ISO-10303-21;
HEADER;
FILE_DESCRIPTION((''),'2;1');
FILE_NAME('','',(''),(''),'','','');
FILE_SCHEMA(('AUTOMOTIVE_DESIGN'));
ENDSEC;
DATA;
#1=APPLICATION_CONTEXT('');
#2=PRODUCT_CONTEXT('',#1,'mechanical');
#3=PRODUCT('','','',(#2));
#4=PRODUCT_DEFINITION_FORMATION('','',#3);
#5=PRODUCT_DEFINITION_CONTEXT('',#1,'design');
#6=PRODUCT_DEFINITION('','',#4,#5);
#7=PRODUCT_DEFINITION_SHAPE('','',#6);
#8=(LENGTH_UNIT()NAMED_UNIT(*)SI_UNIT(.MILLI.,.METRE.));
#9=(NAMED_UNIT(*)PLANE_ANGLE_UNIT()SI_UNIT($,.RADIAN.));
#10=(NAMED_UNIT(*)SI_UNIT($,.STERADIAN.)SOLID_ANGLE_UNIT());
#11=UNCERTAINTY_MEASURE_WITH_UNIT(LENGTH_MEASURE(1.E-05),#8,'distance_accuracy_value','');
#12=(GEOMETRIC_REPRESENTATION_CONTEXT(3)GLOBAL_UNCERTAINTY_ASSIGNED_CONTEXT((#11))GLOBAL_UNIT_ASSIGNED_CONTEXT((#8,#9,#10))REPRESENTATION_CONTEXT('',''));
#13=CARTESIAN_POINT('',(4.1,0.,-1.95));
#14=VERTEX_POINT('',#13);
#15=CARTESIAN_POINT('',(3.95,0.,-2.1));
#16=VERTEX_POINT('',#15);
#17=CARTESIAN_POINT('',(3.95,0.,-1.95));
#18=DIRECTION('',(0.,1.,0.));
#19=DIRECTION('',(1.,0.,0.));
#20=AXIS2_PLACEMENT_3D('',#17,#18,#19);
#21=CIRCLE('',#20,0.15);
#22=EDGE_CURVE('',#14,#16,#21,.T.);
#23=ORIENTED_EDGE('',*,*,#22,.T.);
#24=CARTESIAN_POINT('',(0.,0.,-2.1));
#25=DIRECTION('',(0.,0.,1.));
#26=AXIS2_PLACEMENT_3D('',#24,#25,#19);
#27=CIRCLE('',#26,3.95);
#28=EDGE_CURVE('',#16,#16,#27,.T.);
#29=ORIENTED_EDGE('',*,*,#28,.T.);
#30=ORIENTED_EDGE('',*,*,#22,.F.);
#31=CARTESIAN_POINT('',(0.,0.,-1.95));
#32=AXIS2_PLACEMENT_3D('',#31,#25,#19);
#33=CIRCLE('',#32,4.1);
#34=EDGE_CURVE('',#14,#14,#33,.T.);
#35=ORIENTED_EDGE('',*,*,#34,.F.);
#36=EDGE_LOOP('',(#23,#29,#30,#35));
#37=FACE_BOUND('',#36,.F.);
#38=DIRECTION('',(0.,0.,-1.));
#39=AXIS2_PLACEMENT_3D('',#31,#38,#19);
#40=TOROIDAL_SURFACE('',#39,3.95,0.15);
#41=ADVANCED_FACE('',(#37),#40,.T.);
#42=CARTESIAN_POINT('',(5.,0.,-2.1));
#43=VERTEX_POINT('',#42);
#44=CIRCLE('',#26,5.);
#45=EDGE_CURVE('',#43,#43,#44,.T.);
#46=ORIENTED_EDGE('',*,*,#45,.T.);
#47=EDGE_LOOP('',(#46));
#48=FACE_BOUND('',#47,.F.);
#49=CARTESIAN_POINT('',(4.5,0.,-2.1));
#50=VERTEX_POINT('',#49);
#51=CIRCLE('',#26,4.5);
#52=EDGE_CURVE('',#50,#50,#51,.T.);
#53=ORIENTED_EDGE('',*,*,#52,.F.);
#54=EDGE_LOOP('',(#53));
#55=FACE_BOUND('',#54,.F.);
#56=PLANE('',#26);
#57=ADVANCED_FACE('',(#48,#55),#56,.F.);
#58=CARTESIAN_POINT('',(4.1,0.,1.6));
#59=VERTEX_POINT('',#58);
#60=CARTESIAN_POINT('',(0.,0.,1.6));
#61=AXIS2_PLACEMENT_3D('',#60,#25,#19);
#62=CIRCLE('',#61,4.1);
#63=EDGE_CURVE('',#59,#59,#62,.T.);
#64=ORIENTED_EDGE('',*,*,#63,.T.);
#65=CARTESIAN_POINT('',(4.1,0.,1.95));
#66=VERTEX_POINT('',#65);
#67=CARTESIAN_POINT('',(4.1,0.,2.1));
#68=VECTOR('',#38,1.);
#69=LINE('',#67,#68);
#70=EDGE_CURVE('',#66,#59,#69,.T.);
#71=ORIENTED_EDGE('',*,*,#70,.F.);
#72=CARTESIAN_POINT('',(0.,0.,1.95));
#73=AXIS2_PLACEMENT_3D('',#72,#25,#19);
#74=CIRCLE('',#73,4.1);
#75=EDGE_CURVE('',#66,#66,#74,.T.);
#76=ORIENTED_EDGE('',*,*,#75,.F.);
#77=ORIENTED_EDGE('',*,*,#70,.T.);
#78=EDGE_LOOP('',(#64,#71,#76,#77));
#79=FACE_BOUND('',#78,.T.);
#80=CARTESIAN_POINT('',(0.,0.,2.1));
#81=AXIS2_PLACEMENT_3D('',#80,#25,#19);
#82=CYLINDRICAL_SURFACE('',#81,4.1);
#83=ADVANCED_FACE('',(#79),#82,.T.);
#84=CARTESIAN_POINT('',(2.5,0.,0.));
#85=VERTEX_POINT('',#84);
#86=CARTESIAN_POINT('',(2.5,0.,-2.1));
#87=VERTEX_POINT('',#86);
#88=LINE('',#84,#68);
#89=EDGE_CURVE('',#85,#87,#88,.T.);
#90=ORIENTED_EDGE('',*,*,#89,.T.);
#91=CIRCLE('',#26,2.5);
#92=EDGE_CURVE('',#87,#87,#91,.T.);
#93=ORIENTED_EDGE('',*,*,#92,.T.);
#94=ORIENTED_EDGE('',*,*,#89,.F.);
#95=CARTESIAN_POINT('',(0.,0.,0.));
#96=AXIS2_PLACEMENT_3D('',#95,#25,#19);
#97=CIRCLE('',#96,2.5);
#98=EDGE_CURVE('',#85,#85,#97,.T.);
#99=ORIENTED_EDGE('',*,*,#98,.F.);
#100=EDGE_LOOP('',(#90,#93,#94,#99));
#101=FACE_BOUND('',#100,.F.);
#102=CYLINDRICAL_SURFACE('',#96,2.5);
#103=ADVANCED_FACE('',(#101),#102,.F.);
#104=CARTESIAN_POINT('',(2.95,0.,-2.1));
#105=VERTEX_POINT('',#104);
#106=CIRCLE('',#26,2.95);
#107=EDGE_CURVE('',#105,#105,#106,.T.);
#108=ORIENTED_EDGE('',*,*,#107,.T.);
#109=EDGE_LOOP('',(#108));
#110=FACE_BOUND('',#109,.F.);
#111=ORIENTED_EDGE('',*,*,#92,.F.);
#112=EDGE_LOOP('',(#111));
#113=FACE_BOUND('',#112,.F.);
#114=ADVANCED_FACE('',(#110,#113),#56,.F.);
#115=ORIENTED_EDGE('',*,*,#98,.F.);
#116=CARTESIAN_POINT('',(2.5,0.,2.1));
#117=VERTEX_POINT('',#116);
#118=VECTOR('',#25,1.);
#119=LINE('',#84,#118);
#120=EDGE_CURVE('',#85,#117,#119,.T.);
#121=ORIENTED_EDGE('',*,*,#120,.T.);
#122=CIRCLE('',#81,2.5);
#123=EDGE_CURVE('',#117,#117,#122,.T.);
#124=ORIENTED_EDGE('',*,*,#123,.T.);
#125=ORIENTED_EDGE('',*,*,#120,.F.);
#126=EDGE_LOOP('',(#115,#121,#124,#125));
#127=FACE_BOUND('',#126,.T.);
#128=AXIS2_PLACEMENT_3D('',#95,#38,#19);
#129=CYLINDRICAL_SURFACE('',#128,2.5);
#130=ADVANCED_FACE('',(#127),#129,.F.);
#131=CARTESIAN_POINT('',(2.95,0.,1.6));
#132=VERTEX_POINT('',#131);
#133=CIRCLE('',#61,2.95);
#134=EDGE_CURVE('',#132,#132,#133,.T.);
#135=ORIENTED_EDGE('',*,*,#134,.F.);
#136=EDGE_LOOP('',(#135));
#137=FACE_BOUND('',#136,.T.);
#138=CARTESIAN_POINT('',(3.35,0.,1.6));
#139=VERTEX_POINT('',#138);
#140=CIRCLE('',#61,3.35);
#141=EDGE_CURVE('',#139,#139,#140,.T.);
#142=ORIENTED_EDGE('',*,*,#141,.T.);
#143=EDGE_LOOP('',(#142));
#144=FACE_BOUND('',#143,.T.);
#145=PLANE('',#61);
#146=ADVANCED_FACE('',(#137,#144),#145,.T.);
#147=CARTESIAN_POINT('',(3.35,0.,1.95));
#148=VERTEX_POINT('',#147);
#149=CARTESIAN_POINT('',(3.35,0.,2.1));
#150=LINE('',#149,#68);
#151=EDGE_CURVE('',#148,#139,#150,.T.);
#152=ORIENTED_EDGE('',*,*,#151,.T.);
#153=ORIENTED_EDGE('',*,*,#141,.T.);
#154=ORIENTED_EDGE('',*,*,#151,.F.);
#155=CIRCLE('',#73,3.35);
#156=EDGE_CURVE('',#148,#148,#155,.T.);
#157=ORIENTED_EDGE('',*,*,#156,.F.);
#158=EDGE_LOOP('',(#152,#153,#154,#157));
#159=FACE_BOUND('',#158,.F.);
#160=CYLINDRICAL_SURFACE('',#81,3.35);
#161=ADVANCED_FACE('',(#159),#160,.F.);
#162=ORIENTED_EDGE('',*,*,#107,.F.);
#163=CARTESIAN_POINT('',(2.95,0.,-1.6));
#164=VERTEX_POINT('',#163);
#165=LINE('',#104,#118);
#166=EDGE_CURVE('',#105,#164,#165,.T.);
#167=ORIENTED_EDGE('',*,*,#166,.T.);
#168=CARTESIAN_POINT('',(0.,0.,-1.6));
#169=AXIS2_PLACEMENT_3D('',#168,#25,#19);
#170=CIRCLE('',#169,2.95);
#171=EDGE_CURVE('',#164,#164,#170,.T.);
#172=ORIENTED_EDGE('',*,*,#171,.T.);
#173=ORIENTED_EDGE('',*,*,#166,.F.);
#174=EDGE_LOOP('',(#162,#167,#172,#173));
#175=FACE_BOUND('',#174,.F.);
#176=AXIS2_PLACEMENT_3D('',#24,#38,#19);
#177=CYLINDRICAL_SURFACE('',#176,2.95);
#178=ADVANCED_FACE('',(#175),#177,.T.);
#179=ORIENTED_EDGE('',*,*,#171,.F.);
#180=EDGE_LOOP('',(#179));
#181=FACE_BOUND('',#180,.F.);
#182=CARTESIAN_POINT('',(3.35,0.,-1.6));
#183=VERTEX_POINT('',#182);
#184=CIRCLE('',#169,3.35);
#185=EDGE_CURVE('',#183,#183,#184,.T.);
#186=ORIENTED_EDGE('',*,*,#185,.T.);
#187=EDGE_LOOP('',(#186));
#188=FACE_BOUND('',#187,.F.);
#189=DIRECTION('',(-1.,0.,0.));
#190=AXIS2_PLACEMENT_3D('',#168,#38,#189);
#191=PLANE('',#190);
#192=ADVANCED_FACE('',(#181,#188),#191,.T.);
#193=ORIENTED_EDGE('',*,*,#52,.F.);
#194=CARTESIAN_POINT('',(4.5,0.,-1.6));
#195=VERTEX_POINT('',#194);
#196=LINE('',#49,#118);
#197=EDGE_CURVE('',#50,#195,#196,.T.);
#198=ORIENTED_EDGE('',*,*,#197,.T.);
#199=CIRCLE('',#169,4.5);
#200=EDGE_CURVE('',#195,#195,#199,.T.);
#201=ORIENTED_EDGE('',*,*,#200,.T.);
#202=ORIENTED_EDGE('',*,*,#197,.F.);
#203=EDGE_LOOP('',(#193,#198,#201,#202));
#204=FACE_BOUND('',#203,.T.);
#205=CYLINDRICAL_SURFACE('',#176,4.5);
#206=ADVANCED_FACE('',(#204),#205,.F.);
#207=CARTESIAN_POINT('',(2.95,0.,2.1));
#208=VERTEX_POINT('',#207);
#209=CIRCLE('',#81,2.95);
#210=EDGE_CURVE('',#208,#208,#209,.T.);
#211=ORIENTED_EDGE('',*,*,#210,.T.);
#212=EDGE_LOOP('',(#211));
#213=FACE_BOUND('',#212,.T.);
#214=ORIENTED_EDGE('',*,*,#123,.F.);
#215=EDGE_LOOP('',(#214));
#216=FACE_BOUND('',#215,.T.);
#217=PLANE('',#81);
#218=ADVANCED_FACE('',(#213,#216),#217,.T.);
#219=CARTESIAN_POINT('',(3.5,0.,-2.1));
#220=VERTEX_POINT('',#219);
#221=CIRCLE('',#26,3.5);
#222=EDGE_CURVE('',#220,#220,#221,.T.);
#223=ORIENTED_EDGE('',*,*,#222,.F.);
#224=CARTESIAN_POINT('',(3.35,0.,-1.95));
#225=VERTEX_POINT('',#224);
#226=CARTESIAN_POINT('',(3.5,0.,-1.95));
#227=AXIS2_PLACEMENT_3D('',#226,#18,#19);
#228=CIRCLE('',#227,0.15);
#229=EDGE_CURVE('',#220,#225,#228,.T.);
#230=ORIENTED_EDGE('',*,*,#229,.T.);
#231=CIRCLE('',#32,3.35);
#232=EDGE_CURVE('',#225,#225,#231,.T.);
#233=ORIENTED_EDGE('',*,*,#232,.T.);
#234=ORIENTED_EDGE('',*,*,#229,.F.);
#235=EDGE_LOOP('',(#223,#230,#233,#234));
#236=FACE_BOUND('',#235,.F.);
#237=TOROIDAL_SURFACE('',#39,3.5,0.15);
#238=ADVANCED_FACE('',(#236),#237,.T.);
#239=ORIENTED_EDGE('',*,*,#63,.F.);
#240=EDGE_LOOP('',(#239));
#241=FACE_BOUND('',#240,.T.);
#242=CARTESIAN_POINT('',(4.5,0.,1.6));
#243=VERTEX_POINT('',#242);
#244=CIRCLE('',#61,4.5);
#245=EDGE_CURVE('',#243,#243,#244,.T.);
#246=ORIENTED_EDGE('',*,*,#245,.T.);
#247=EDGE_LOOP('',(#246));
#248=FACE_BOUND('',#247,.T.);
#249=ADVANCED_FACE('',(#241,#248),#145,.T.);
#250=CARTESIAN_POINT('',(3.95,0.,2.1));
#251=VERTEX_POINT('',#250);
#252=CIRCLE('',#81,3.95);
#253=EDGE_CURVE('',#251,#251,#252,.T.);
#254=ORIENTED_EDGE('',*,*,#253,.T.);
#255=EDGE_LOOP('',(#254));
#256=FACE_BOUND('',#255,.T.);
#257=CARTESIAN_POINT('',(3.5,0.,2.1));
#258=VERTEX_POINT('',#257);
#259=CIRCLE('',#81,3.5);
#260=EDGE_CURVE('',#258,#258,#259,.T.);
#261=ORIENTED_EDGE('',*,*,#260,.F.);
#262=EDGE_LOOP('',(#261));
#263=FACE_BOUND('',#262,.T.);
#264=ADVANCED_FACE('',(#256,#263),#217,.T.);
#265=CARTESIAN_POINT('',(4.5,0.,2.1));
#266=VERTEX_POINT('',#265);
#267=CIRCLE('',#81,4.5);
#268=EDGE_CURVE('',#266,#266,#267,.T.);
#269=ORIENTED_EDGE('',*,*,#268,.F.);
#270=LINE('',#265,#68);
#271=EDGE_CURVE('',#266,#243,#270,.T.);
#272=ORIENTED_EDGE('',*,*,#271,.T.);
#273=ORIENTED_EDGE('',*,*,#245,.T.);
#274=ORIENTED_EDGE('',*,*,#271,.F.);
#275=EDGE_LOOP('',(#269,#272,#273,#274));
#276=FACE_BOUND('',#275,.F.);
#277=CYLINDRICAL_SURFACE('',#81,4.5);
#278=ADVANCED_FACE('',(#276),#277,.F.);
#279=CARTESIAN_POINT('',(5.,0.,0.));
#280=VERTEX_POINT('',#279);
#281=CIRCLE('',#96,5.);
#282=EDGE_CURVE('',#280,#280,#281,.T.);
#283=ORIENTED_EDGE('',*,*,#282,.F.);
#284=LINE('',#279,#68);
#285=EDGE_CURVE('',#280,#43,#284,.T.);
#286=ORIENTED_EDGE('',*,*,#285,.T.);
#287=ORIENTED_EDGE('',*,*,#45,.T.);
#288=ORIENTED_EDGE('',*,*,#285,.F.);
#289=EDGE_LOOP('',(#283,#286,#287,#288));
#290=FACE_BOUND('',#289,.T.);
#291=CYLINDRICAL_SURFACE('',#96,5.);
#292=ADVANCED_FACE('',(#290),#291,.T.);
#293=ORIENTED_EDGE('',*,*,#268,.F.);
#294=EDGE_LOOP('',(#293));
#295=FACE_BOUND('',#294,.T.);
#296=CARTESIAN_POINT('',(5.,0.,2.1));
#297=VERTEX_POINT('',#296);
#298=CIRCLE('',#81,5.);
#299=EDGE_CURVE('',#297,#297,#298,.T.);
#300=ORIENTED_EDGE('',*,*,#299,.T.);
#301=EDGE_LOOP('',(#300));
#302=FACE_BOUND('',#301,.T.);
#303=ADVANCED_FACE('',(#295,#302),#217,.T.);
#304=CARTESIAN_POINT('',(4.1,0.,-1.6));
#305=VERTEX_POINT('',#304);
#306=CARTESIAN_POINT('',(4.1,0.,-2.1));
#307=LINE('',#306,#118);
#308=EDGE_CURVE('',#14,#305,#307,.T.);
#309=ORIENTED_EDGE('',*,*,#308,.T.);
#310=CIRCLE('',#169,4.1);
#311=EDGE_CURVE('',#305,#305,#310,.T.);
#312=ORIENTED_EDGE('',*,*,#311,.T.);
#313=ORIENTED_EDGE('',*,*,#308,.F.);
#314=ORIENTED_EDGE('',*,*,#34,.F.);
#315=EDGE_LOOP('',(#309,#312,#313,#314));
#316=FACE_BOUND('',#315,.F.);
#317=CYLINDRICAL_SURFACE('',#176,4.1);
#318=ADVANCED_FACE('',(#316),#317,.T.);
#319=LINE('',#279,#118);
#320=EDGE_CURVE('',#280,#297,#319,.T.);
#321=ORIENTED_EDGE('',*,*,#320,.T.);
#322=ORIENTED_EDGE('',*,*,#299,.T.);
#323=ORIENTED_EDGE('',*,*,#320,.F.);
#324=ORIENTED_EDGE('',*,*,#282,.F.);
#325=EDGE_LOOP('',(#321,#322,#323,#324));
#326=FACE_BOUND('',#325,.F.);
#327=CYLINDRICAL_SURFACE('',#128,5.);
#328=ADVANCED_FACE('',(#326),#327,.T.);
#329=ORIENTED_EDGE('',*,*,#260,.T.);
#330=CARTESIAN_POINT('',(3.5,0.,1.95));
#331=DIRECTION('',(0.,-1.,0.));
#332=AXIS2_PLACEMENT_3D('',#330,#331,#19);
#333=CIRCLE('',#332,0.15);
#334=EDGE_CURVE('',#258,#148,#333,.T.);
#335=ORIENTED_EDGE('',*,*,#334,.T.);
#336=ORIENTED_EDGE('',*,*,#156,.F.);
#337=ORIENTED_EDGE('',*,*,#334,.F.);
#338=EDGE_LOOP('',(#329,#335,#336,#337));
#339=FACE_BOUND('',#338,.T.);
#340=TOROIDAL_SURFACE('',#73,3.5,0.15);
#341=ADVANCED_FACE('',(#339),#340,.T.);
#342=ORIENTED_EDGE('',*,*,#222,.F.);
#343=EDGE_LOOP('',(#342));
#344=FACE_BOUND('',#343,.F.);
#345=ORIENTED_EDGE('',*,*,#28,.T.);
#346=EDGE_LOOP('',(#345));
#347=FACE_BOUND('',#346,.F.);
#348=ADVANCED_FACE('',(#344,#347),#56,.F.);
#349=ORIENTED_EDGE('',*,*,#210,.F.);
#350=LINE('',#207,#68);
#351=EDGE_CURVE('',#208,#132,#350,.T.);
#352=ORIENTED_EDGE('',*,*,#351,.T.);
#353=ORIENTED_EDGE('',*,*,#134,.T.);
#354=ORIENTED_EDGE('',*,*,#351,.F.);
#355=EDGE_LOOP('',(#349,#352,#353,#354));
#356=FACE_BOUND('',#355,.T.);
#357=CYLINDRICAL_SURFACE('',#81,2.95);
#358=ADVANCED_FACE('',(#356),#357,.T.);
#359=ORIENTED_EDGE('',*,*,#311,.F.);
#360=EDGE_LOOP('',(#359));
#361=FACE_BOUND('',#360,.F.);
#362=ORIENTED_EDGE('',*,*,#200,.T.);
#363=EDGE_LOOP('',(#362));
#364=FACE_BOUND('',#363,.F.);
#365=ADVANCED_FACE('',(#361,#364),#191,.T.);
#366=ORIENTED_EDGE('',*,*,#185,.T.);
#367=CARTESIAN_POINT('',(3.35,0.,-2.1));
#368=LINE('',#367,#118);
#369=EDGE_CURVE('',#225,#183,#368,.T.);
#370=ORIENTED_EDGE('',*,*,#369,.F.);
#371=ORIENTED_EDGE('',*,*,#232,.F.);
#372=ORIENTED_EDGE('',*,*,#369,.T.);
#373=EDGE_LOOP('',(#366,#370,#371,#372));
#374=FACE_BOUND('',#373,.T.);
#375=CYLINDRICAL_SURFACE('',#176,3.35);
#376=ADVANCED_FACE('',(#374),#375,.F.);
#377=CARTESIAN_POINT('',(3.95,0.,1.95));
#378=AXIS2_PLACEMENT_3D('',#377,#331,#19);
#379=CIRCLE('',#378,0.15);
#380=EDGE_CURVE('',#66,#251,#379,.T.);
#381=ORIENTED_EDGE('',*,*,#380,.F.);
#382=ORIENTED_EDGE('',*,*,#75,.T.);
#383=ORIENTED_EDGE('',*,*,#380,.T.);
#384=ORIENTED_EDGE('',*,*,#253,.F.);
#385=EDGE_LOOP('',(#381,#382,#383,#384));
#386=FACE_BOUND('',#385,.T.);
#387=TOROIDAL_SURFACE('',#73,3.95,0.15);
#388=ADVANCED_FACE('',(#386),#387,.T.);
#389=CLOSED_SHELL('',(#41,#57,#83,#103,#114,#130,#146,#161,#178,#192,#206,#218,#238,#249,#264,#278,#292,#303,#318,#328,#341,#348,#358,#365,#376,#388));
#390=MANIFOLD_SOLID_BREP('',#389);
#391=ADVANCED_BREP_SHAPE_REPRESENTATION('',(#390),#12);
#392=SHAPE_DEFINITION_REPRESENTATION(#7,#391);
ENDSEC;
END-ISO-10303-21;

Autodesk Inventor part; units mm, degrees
ref_plane "YZ Plane" through (0, 0, 0) normal (1, 0, 0) x (0, 1, 0)
ref_plane "XZ Plane" through (0, 0, 0) normal (0, 1, 0) x (-1, 0, 0)
ref_plane "XY Plane" through (0, 0, 0) normal (0, 0, 1) x (1, 0, 0)
sketch "Sketch1" plane through (0, 0, 0) normal (0, 0, 1) x (1, 0, 0)
  circle A0 centre (0, 0) radius 5
  circle A1 centre (0, 0) radius 2.5
  dimension "d0" = 10
  dimension "d1" = 5
extrude "Extrusion1" add sketch "Sketch1" along normal mid plane 4.2
sketch "Sketch2" plane through (0, 0, 2.1) normal (0, 0, 1) x (1, 0, 0)
  circle A0 centre (0, 0) radius 2.5 projected
  circle A1 centre (0, 0) radius 5 projected
  circle A2 centre (0, 0) radius 4.5
  circle A3 centre (0, 0) radius 4.1
  circle A4 centre (0, 0) radius 2.95
  circle A5 centre (0, 0) radius 3.35
  dimension "d4" = 0.5
  dimension "d5" = 0.4
  dimension "d6" = 0.75
  dimension "d7" = 0.4
extrude "Extrusion2" cut sketch "Sketch2" against normal blind 0.5 contours A2 | A5
fillet "Fillet1" radius 0.15 2 edges at (-4.1, 0, 2.1) (-3.35, 0, 2.1)
mirror "Mirror1" about plane through (0, 0, 0) normal (0, 0, 1) of "Extrusion2"
fillet "Fillet2" radius 0.15 2 edges at (-4.1, 0, -2.1) (-3.35, 0, -2.1)
properties part number "Mini Bearing" material "Steel"
